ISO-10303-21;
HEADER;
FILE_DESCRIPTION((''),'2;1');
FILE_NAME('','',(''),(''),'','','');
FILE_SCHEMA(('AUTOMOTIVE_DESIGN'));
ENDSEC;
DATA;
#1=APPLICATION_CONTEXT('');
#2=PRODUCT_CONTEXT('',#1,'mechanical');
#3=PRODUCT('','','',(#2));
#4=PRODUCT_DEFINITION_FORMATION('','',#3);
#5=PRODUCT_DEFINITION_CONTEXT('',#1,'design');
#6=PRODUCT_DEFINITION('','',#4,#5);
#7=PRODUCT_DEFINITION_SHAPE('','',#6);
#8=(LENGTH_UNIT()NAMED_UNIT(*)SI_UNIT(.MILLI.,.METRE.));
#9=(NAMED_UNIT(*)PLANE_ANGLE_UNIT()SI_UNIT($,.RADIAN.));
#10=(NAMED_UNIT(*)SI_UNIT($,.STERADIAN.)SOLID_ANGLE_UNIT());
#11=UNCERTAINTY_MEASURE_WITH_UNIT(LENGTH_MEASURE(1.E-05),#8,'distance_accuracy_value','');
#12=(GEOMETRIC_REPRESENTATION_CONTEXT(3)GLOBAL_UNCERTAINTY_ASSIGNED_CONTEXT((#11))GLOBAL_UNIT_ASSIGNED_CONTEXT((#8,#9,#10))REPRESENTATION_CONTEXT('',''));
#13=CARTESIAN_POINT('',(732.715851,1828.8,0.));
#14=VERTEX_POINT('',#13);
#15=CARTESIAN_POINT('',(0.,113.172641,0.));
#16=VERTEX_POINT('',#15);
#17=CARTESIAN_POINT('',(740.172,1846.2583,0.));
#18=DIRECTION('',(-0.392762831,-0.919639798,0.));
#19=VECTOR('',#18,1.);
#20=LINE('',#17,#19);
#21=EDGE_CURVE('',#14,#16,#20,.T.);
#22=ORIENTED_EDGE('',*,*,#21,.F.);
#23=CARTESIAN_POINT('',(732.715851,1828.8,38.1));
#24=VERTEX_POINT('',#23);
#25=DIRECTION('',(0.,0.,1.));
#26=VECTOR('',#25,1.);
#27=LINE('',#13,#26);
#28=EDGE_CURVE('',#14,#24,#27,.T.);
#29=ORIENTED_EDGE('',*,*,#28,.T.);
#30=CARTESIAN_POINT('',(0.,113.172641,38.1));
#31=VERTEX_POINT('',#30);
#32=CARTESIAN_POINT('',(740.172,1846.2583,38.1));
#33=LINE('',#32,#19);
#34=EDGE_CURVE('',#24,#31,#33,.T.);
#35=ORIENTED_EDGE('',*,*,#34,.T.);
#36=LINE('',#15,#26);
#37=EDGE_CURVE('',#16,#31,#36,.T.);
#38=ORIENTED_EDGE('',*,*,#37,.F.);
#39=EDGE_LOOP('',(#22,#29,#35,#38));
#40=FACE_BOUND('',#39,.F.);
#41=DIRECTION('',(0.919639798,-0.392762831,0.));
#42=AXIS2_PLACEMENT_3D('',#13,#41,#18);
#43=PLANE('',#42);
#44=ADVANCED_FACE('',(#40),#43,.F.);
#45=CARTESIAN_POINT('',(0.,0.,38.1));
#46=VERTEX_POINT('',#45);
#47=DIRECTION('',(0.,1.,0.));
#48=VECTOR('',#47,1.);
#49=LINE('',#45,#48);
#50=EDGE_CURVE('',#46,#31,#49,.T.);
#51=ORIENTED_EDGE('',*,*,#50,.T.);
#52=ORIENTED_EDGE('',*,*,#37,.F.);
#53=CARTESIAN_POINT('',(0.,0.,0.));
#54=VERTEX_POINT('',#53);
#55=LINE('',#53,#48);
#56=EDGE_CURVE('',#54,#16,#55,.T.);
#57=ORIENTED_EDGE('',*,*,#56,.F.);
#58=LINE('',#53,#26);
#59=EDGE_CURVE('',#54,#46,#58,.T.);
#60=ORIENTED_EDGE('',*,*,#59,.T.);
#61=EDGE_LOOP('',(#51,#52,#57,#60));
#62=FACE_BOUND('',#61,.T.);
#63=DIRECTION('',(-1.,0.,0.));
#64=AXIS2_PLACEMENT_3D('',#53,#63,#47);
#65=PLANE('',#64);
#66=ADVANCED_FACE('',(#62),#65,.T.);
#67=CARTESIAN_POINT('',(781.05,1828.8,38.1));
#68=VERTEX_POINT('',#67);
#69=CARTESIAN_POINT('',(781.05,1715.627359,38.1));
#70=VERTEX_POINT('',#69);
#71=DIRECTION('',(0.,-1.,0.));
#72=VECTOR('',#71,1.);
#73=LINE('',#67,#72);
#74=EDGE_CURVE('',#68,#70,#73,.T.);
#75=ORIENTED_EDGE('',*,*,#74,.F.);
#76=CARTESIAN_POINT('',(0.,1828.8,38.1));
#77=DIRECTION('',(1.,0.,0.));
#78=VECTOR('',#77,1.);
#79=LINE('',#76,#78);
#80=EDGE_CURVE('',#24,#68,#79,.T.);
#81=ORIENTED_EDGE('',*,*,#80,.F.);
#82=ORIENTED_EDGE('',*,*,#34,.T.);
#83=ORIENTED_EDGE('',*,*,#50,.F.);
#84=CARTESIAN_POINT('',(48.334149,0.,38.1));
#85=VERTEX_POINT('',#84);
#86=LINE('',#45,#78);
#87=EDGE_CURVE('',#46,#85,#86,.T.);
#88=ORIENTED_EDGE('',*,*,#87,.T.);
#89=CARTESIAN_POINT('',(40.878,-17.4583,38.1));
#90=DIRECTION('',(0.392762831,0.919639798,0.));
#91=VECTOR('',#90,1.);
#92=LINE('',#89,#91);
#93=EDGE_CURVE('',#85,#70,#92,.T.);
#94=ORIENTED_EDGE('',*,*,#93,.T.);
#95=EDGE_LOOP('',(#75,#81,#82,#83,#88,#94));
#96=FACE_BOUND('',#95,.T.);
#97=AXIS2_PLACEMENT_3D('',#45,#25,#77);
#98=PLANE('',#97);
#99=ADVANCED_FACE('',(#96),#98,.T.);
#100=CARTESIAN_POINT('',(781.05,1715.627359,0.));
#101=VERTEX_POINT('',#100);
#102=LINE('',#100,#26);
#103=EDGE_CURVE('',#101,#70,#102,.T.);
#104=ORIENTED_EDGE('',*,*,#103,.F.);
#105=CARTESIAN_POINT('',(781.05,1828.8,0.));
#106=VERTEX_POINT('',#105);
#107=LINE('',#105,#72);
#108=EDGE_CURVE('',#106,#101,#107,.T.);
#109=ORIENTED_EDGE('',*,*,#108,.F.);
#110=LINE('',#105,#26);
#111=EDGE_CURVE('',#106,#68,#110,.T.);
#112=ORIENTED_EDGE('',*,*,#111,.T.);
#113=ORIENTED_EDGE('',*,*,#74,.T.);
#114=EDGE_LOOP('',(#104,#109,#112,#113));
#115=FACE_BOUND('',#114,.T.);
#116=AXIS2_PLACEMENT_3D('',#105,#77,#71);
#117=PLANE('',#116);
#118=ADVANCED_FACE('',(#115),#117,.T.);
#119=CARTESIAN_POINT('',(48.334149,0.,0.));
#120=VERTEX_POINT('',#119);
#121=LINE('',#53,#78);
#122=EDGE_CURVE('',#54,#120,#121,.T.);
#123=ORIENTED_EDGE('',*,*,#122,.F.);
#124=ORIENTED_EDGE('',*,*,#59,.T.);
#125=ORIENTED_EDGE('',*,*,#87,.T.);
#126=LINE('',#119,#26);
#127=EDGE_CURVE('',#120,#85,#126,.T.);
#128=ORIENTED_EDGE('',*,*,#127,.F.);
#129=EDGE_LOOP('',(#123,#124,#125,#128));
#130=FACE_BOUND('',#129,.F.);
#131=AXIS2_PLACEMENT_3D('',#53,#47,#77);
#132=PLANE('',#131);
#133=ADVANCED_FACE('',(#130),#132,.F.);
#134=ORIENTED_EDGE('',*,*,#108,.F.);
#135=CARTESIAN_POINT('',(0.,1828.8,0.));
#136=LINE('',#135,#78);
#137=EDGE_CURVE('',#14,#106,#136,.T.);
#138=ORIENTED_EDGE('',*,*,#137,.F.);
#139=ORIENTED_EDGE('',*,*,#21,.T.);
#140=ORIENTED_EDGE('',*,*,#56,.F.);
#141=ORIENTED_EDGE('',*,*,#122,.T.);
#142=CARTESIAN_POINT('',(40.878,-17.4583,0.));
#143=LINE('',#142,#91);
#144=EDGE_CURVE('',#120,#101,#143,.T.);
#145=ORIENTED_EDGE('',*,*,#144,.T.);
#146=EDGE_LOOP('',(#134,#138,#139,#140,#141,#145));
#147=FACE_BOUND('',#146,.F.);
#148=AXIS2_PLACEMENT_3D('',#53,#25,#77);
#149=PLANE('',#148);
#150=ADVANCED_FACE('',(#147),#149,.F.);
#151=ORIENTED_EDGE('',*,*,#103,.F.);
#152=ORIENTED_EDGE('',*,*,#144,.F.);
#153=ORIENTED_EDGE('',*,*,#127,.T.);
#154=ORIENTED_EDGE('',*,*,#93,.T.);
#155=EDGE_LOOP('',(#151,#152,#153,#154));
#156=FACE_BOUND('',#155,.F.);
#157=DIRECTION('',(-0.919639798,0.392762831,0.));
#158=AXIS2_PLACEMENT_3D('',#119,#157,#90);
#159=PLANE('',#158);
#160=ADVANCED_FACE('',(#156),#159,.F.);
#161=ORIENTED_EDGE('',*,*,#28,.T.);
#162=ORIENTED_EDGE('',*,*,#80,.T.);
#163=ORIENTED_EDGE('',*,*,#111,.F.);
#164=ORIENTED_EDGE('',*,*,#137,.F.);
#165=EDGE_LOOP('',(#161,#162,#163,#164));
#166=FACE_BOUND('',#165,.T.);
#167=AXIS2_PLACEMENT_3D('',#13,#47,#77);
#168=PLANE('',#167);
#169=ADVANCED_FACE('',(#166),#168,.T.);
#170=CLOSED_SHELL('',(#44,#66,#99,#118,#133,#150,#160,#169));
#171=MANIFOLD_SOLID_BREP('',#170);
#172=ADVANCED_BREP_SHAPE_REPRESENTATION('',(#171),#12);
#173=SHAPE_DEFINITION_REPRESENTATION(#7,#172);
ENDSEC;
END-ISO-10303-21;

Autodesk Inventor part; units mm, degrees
ref_plane "YZ Plane" through (0, 0, 0) normal (1, 0, 0) x (0, 1, 0)
ref_plane "XZ Plane" through (0, 0, 0) normal (0, 1, 0) x (-1, 0, 0)
ref_plane "XY Plane" through (0, 0, 0) normal (0, 0, 1) x (1, 0, 0)
sketch "Sketch1" plane through (0, 0, 0) normal (0, 0, 1) x (1, 0, 0)
  line L0 (0, 0) -> (781.05, 0)
  line L1 (0, 0) -> (0, 1828.8)
  line L2 (0, 1828.8) -> (781.05, 1828.8)
  line L3 (781.05, 1828.8) -> (781.05, 0)
  line L4 (0, 0) -> (781.05, 1828.8)
  line L5 (821.928, 1811.3417) -> (740.172, 1846.2583)
  line L6 (40.878, -17.4583) -> (-40.878, 17.4583)
  line L7 (740.172, 1846.2583) -> (-40.878, 17.4583)
  line L8 (40.878, -17.4583) -> (821.928, 1811.3417)
  point P0 (732.7159, 1828.8)
  point P1 (0, 113.1726)
  point P2 (48.3341, 0)
  point P3 (781.05, 1715.6274)
  dimension "d0" = 781.05
  dimension "d1" = 1828.8
  dimension "d2" = 88.9
  dimension "d3" = 88.9
extrude "Extrusion1" add sketch "Sketch1" along normal blind 38.1 contours L4 L3 L8 L0 | L1 L7 L2 L4
properties part number "S_2x4x78.292"
